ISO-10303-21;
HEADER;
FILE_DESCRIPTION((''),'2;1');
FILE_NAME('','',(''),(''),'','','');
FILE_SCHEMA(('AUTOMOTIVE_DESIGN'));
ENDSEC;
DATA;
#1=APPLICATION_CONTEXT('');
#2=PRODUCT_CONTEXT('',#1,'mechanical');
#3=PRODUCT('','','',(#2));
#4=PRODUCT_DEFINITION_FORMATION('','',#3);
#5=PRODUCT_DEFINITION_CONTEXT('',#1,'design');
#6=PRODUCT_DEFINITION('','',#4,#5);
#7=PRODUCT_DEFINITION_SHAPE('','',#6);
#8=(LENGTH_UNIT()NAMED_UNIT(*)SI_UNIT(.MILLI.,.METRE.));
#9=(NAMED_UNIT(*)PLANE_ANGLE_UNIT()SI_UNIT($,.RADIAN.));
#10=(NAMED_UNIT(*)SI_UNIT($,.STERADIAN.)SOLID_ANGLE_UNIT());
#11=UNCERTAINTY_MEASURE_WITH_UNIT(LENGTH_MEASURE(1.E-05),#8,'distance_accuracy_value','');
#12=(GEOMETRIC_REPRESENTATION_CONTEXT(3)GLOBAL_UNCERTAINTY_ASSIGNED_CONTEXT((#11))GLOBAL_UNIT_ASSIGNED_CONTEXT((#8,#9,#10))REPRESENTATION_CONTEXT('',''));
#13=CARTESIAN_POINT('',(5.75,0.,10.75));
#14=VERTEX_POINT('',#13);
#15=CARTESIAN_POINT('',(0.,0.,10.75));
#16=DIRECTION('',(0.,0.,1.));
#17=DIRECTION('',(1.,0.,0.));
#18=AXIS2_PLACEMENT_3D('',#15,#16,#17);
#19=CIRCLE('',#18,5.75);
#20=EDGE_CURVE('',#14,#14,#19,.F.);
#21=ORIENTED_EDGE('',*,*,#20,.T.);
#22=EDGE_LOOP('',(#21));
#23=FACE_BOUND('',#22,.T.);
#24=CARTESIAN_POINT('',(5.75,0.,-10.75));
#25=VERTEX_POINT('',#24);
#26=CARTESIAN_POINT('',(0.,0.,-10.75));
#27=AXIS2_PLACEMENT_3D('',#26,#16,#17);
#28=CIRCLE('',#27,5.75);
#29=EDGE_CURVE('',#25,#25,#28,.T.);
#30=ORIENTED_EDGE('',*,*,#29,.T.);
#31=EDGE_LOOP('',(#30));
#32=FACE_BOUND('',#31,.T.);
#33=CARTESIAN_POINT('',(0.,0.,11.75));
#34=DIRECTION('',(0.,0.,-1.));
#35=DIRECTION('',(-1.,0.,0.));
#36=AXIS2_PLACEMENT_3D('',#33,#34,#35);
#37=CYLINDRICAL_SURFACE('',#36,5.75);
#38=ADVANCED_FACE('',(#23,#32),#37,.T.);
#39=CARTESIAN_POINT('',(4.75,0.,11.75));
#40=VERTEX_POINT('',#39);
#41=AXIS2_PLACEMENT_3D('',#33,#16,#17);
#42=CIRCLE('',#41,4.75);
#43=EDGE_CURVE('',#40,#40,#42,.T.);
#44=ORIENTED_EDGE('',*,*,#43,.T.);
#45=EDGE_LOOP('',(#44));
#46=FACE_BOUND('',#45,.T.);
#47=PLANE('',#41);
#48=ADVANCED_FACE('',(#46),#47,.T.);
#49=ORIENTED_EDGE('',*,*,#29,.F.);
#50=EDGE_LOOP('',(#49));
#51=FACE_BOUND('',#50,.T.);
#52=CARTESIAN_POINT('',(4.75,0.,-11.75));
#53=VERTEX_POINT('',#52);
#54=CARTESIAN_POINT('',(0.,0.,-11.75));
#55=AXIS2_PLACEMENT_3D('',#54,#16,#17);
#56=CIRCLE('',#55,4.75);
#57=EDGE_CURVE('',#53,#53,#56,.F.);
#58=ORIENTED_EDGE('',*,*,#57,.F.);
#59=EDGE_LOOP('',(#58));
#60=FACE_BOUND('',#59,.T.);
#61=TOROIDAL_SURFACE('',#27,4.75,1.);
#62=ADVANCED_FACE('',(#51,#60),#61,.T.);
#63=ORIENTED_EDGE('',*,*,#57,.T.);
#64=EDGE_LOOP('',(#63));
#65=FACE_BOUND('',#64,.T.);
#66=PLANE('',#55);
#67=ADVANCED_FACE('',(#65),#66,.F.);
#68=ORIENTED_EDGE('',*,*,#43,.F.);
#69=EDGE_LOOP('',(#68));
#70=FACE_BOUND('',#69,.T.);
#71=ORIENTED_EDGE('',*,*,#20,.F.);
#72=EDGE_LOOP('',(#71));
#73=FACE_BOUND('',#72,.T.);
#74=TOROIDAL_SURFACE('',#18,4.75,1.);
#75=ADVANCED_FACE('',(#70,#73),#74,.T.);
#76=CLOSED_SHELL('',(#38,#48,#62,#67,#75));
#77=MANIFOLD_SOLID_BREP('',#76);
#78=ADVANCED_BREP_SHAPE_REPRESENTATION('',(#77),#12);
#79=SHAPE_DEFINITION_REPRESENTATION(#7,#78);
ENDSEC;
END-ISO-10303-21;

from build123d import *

# Parameters (mm, degrees)
ESQUISSE1_R        = 5.75
BOSS_EXTRU_1_DEPTH = 11.75
CONG_1_R           = 1


with BuildPart() as part:
    # Esquisse1 → Boss.-Extru.1 (new body, symmetric)
    with BuildSketch(Plane.XY):
        Circle(ESQUISSE1_R)
    extrude(amount=BOSS_EXTRU_1_DEPTH, both=True)

    # Congé1
    cong_1_edges = [part.edges().sort_by_distance(p)[0] for p in [
        (-5.75, 0, -11.75),
        (-5.75, 0, 11.75),
    ]]
    fillet(cong_1_edges, radius=CONG_1_R)


solid = part.part
